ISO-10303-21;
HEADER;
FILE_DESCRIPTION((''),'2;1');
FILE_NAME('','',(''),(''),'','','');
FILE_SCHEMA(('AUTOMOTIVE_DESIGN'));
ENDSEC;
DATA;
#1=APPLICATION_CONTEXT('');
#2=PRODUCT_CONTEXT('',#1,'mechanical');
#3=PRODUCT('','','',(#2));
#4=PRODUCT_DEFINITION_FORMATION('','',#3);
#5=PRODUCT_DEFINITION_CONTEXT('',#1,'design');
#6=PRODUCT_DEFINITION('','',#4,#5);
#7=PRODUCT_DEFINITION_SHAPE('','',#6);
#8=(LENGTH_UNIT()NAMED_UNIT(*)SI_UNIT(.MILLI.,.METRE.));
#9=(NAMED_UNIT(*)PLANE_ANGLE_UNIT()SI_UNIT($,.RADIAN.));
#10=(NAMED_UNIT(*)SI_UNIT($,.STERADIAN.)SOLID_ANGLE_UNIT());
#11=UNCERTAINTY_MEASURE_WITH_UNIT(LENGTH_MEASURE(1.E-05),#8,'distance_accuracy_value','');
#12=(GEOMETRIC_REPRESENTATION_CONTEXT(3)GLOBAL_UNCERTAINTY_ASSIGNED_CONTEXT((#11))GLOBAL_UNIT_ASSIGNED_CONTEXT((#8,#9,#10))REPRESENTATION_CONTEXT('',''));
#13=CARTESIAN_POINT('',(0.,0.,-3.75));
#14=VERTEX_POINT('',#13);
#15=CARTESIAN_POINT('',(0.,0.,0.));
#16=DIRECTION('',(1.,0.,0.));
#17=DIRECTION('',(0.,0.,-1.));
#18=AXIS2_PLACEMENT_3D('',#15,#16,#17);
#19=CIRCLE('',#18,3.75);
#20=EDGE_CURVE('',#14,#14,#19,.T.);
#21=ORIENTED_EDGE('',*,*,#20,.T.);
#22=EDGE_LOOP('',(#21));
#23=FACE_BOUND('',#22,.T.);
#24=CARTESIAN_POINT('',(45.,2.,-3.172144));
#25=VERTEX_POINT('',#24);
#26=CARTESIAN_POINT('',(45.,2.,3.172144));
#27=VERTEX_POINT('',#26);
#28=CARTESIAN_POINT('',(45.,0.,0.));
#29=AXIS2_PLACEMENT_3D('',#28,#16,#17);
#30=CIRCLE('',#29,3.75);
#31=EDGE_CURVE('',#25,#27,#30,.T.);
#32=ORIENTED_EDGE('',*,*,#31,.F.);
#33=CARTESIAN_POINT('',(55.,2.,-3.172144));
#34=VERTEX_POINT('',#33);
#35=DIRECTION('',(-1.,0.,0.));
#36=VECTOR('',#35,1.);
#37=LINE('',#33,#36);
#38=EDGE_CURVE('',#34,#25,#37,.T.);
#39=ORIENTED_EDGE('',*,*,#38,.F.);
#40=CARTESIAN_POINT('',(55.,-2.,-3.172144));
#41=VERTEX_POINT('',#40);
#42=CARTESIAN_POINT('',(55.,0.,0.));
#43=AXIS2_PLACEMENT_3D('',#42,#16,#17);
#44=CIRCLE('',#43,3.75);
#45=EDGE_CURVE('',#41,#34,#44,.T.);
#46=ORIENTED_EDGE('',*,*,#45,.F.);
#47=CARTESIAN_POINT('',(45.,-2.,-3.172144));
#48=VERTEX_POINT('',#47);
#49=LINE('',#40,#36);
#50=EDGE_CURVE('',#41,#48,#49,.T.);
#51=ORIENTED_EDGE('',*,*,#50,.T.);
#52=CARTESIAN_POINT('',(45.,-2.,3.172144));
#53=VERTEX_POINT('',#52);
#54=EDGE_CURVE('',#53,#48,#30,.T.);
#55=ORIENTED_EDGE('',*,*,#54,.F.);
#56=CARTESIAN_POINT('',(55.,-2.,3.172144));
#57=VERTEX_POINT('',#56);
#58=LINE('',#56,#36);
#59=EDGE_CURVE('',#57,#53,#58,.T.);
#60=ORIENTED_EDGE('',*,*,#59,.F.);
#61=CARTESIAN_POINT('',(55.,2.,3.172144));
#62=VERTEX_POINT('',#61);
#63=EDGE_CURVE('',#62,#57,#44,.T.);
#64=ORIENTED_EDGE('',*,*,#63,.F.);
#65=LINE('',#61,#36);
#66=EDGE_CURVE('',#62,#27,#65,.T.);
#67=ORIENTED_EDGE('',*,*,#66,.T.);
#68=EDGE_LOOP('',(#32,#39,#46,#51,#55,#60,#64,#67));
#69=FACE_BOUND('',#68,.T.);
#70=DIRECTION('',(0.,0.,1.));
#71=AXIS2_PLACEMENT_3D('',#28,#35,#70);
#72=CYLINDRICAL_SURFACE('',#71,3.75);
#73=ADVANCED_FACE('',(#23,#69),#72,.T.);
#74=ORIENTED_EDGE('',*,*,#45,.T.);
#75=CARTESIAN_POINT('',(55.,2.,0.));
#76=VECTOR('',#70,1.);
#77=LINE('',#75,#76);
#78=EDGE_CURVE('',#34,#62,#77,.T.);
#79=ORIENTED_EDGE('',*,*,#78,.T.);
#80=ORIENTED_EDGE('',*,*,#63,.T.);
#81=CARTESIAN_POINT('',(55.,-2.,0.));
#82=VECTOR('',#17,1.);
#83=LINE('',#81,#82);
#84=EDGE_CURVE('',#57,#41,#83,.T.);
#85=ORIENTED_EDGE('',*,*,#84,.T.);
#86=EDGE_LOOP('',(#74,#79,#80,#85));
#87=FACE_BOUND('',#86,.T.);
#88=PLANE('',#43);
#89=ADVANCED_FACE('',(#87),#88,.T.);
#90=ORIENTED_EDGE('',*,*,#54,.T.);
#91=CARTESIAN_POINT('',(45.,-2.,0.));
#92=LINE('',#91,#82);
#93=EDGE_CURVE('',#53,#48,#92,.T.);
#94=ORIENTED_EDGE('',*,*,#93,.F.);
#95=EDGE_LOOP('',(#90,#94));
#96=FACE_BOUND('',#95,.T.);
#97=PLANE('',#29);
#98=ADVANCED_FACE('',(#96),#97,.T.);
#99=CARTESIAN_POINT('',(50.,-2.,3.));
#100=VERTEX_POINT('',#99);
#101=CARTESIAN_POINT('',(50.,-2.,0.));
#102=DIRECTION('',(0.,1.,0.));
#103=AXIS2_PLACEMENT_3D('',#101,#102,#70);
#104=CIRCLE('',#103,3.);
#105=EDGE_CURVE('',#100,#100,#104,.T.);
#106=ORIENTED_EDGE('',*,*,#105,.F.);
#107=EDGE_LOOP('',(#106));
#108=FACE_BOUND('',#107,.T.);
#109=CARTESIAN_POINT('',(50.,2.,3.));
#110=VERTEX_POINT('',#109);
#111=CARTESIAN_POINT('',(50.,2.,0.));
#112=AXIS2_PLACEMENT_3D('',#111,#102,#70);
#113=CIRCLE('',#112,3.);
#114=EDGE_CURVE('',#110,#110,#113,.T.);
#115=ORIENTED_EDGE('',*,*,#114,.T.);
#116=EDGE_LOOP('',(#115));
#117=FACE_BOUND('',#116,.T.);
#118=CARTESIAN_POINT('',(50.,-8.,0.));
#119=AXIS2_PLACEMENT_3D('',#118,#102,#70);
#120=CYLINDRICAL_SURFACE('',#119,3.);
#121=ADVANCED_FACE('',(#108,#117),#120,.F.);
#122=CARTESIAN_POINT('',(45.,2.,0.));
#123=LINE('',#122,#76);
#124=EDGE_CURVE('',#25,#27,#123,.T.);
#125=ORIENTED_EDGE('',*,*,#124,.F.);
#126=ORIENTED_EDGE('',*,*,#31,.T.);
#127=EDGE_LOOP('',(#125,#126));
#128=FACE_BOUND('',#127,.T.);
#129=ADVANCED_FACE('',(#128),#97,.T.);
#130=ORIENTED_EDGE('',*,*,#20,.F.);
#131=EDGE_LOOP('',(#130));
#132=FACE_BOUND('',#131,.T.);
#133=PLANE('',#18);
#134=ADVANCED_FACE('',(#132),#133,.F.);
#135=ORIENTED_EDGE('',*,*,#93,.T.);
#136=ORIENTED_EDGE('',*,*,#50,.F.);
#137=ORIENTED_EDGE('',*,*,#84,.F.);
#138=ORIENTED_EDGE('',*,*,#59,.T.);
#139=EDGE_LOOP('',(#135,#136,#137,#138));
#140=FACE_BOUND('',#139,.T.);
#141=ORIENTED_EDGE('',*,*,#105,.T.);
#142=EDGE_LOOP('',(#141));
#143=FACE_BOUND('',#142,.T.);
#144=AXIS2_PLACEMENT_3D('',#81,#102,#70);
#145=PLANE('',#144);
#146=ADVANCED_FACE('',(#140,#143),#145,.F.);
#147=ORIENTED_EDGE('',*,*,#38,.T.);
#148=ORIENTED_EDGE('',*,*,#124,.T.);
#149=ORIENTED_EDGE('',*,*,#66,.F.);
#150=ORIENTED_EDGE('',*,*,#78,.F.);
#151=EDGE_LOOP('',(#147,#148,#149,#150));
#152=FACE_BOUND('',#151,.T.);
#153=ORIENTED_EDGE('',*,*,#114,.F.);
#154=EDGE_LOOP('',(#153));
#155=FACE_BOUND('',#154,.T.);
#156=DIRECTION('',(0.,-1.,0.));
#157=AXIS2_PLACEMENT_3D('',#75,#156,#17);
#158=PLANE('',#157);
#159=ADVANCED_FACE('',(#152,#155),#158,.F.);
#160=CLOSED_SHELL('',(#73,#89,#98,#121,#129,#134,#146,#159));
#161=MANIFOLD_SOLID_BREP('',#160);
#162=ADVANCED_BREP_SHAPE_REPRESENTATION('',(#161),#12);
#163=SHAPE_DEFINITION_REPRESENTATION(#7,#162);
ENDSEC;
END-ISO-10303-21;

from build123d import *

# Parameters (mm, degrees)
SKETCH1_R           = 3.75
BOSS_EXTRUDE1_DEPTH = 45
BOSS_EXTRUDE2_DEPTH = 10
SKETCH3_R           = 3
CUT_EXTRUDE1_DEPTH  = 10


with BuildPart() as part:
    # Sketch1 → Boss-Extrude1 (new body)
    with BuildSketch(Plane(origin=(0, 0, 0), x_dir=(0, 0, -1), z_dir=(1, 0, 0))):
        with Locations(Location((0, 0, 0), (0, 0, 180))):
            Circle(SKETCH1_R)
    extrude(amount=BOSS_EXTRUDE1_DEPTH)

    # Sketch2 → Boss-Extrude2 (add)
    with BuildSketch(Plane(origin=(45, 0, 0), x_dir=(0, 0, -1), z_dir=(1, 0, 0))):
        with BuildLine():
            Line((3.172144385, 2), (0, 2))
            Line((0, 2), (-3.172144385, 2))
            ThreePointArc((-3.172144385, 2), (-3.75, 0), (-3.172144385, -2))
            Line((-3.172144385, -2), (3.172144385, -2))
            ThreePointArc((3.172144385, -2), (3.602640798, -1.040903107), (3.75, 0))
            ThreePointArc((3.75, 0), (3.602640798, 1.040903107), (3.172144385, 2))
        make_face()
    extrude(amount=BOSS_EXTRUDE2_DEPTH)

    # Sketch3 → Cut-Extrude1 (cut)
    with BuildSketch(Plane(origin=(0, 2, 0), x_dir=(1, 0, 0), z_dir=(0, 1, 0))):
        with Locations(Location((50, 0, 0), (0, 0, 270))):
            Circle(SKETCH3_R)
    extrude(amount=-CUT_EXTRUDE1_DEPTH, mode=Mode.SUBTRACT)


solid = part.part
